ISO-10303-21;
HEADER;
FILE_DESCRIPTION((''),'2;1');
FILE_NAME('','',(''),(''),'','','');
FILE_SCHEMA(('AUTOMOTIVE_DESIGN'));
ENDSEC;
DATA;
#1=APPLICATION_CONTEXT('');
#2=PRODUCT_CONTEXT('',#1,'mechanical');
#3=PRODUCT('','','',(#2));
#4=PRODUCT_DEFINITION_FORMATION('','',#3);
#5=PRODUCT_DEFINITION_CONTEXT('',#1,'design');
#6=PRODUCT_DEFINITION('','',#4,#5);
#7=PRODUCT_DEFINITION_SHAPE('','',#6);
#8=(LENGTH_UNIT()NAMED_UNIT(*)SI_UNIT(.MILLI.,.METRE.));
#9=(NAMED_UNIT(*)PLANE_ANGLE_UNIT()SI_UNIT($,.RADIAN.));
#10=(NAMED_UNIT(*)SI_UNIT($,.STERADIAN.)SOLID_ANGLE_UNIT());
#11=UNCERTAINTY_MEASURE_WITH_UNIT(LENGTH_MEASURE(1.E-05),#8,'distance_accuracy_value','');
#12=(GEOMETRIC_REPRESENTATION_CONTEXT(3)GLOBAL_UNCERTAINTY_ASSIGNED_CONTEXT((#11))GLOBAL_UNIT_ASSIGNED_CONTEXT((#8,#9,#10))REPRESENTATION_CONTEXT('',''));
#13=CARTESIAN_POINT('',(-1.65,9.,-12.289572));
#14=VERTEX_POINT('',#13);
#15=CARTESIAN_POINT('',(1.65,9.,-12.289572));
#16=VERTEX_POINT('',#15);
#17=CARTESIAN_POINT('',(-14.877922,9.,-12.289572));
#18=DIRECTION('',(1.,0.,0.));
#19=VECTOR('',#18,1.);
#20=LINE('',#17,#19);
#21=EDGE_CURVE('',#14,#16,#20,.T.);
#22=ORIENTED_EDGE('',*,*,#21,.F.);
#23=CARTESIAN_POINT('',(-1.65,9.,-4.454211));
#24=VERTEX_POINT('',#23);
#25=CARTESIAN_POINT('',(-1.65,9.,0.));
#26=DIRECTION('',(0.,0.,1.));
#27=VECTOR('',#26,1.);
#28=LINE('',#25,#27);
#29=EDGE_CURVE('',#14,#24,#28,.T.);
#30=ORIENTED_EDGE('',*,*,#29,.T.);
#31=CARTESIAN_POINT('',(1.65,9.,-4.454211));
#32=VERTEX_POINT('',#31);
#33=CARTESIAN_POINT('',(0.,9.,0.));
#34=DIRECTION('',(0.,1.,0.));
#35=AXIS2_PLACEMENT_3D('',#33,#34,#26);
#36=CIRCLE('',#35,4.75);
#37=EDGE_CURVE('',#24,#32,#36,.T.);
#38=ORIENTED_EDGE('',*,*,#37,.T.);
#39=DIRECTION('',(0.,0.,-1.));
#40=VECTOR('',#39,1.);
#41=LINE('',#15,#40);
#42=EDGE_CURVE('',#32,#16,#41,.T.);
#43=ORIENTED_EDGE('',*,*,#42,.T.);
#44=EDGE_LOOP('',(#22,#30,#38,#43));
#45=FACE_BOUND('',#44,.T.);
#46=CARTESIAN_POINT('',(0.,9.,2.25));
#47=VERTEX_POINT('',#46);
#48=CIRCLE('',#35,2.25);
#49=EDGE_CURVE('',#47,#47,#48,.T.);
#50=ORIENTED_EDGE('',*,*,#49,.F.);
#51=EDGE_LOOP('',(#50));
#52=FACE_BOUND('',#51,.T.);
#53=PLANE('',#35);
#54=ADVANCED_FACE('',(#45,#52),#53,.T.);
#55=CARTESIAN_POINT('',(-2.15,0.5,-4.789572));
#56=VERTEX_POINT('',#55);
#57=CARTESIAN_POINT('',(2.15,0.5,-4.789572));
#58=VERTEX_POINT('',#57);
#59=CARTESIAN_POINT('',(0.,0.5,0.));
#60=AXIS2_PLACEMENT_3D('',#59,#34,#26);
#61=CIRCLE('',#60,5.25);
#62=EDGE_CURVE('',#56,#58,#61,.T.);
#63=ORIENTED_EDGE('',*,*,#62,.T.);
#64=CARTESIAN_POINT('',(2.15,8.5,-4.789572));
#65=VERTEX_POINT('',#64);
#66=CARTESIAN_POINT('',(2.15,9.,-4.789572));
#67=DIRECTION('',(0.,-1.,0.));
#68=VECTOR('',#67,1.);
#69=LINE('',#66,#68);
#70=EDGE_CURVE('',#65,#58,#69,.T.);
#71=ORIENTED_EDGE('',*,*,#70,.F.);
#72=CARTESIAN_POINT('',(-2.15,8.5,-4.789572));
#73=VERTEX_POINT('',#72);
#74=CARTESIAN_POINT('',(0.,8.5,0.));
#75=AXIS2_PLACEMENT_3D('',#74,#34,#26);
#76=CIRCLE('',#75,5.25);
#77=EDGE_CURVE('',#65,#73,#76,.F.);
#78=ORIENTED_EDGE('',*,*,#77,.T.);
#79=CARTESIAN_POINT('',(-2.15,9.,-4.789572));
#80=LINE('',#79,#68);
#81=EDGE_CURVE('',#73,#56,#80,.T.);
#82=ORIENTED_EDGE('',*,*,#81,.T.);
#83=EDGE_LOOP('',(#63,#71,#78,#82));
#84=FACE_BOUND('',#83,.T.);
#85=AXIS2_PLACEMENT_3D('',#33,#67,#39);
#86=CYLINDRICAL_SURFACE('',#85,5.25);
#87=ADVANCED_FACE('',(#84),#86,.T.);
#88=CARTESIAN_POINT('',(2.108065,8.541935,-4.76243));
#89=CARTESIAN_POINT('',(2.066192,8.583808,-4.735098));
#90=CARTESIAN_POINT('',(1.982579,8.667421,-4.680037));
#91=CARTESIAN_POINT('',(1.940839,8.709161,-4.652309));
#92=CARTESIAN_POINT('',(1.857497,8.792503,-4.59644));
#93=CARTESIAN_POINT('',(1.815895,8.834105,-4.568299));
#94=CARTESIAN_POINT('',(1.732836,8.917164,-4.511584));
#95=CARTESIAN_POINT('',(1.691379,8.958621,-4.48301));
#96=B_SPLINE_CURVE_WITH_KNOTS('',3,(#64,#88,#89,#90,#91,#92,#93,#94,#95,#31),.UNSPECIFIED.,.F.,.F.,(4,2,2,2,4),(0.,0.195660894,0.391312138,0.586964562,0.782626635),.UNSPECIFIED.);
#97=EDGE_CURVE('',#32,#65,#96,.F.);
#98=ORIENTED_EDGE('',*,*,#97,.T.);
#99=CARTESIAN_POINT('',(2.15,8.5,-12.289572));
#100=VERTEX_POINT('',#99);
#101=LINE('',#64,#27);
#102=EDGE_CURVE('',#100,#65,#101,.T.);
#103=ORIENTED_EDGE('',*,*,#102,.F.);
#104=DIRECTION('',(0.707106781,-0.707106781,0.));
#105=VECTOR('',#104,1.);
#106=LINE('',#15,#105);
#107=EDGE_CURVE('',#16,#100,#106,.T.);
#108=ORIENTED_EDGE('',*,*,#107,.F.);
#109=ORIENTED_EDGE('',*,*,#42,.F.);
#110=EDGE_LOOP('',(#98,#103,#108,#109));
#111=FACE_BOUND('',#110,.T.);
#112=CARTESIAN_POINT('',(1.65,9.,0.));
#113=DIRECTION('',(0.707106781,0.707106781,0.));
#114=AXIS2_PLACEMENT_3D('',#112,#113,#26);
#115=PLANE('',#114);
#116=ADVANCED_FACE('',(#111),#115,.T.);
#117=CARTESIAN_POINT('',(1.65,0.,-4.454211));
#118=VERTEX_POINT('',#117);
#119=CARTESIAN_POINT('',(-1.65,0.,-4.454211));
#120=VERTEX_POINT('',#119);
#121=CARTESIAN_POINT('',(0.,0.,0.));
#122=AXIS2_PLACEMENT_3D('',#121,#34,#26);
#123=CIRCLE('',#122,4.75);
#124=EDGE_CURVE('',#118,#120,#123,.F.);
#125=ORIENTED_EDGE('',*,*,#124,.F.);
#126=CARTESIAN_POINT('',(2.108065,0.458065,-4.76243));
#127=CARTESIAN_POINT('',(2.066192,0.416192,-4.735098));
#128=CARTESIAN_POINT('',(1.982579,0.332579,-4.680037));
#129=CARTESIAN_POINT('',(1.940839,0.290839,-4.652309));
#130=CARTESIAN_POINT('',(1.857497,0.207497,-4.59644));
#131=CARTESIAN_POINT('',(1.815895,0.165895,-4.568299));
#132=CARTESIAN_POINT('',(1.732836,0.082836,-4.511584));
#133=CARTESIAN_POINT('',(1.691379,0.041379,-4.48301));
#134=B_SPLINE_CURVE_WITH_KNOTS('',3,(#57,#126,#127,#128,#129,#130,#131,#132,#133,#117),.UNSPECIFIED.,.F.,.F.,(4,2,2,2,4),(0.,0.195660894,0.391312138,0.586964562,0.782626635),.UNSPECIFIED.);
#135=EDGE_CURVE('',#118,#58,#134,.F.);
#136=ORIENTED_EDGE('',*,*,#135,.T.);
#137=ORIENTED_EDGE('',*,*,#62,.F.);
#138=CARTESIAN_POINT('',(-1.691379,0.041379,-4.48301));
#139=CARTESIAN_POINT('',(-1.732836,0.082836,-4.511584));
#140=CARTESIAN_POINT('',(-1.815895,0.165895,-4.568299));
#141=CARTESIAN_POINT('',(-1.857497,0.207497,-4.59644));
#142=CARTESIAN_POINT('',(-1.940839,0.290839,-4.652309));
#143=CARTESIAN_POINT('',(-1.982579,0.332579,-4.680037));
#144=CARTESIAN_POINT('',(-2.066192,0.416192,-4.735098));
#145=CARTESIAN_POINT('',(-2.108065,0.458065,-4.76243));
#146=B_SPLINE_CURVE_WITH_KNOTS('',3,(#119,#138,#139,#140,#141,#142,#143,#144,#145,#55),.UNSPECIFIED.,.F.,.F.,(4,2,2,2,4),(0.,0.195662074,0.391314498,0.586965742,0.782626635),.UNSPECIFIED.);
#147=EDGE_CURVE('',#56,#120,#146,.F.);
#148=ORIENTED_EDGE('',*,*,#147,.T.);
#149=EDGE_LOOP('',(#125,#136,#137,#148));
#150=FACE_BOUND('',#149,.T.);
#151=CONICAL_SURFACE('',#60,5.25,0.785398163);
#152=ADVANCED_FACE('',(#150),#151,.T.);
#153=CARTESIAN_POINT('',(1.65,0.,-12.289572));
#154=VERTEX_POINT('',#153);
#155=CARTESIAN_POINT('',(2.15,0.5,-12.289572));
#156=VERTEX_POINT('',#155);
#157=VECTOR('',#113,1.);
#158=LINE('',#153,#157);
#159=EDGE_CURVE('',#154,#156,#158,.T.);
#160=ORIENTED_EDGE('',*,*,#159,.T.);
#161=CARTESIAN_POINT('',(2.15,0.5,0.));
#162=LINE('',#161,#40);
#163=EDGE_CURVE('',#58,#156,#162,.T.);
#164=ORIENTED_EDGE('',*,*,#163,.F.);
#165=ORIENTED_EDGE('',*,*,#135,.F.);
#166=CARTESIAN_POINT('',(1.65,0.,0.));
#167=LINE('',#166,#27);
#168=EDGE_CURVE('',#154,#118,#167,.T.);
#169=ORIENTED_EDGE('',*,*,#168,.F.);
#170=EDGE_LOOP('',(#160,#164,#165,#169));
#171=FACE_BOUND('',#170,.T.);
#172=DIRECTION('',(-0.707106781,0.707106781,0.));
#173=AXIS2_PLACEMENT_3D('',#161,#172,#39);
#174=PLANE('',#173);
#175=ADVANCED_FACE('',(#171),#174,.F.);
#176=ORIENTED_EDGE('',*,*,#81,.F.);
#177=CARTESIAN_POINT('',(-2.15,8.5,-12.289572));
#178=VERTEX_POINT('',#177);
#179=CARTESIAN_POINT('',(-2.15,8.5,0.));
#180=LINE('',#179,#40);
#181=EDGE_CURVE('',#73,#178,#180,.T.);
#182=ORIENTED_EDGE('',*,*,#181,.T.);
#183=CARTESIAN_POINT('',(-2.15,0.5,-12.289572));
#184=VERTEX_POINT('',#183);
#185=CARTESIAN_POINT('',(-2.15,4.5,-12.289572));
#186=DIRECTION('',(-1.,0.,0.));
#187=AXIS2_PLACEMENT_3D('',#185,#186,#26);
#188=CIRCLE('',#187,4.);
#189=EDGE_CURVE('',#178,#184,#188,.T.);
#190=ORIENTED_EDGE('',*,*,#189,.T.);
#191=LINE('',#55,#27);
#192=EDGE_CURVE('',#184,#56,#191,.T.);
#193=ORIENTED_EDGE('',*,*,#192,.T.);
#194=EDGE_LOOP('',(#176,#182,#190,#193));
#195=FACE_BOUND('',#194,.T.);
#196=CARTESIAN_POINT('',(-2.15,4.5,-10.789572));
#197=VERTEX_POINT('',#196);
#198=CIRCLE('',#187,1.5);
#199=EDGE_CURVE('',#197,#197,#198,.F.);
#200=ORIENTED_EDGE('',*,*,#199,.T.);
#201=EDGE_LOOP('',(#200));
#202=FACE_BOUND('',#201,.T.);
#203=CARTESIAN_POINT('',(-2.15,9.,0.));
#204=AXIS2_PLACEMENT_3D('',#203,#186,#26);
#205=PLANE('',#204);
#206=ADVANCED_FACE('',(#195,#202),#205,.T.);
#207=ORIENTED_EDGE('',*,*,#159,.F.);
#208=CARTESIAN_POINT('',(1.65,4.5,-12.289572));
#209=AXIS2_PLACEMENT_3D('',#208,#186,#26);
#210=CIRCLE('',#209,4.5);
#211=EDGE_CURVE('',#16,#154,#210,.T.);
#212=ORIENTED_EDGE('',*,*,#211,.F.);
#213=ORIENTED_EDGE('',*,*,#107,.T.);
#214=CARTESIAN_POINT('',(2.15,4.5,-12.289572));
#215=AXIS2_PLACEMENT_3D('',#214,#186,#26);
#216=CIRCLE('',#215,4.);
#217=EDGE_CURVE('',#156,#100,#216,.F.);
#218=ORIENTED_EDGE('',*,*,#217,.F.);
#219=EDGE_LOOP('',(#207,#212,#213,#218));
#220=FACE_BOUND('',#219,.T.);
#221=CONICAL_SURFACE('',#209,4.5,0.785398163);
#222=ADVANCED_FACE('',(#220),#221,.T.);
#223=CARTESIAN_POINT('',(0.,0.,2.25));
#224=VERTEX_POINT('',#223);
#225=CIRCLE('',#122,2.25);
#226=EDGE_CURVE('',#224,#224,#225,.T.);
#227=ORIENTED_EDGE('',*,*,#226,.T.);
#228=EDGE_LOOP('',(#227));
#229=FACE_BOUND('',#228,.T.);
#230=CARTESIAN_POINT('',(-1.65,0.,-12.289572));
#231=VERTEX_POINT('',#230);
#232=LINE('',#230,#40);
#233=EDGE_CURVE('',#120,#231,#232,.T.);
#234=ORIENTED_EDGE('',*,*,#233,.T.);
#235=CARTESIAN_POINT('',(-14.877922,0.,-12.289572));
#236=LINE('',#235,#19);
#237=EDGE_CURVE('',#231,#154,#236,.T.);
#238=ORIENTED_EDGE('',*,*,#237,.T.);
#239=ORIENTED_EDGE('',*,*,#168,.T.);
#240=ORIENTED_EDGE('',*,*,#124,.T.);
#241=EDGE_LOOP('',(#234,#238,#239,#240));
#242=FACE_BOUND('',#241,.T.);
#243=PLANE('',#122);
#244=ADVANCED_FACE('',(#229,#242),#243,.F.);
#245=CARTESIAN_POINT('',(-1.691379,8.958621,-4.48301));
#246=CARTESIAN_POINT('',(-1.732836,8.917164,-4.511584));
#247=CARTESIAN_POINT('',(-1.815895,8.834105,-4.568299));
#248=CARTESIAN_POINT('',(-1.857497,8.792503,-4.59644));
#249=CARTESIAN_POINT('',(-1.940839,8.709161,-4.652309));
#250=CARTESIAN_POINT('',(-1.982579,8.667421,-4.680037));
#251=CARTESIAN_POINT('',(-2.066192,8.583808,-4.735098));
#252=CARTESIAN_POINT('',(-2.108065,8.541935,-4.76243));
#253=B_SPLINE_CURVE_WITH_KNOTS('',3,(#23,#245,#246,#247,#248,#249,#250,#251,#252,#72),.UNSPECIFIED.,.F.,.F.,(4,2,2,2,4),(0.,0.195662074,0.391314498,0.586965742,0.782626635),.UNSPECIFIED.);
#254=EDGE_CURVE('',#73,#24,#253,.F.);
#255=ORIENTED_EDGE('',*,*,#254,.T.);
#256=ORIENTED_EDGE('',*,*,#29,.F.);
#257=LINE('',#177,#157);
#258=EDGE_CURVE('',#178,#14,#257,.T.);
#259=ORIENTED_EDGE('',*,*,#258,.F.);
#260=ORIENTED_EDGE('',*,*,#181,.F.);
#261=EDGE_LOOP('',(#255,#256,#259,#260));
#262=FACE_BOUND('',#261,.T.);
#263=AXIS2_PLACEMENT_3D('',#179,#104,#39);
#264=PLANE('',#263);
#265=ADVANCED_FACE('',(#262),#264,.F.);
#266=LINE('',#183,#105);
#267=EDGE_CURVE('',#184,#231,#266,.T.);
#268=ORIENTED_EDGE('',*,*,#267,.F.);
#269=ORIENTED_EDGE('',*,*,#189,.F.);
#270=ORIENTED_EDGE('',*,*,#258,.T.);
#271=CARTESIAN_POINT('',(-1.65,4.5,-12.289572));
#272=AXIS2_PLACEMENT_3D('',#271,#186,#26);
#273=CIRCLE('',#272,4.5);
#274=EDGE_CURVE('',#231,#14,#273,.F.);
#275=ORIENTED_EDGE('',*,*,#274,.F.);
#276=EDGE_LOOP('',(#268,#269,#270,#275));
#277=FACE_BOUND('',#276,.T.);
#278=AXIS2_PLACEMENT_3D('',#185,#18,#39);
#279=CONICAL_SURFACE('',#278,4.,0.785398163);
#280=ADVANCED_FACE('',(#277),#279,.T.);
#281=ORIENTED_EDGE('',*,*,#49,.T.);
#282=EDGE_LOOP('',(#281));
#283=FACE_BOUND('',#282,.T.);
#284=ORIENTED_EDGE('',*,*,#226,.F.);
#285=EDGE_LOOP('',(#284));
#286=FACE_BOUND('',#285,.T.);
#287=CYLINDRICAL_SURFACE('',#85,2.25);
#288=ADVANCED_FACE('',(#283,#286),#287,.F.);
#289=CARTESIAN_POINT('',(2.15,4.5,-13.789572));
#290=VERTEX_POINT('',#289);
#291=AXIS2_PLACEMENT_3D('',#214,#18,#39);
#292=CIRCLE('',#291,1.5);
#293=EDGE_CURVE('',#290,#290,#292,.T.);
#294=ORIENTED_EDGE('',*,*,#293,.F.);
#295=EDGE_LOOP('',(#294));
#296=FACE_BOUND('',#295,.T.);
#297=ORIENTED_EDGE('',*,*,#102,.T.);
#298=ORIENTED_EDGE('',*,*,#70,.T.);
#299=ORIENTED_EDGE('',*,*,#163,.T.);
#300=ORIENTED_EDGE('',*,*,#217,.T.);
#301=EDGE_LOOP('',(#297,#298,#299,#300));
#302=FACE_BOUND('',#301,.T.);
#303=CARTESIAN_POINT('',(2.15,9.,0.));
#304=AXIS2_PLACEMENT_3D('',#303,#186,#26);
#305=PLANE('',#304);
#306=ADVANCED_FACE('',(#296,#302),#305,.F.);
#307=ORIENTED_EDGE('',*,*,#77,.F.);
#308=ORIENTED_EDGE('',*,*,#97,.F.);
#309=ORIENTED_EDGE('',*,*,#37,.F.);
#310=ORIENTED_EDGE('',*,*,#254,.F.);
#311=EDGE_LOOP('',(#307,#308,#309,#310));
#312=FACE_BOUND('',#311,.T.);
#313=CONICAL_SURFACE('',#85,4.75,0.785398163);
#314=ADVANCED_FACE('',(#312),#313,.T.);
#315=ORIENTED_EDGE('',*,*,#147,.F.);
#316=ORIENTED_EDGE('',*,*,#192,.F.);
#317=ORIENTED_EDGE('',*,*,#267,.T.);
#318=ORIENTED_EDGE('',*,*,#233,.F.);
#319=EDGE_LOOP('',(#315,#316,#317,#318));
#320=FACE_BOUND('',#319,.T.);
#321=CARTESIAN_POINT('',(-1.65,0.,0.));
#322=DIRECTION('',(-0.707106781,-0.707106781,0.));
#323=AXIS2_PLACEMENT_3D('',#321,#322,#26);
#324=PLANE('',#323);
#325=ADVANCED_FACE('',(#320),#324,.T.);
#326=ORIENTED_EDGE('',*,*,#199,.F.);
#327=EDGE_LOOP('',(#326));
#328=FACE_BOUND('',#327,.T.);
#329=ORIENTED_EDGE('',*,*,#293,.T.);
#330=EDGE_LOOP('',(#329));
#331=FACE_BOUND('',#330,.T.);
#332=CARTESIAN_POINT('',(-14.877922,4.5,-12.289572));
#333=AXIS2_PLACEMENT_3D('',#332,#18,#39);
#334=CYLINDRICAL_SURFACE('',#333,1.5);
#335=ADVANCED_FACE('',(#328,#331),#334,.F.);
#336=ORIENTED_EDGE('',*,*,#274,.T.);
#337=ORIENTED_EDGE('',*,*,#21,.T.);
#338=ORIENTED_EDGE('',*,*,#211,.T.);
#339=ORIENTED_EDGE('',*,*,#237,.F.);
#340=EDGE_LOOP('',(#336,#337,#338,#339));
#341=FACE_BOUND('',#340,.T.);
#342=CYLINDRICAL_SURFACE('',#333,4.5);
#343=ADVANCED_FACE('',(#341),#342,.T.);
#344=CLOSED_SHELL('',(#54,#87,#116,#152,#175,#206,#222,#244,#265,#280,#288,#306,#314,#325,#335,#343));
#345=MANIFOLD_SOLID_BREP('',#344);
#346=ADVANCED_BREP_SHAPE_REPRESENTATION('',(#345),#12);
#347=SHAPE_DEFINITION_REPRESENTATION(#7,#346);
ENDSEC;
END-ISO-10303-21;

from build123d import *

# Parameters (mm, degrees)
SKETCH1_R           = 2.25
SKETCH1_W           = 4.3
SKETCH1_H           = 3
BOSS_EXTRUDE1_DEPTH = 9
SKETCH3_R           = 1.5
BOSS_EXTRUDE2_DEPTH = 4.3
CHAMFER1_SIZE       = 0.5


with BuildPart() as part:
    # Sketch1 → Boss-Extrude1 (new body)
    with BuildSketch(Plane(origin=(0, 0, 0), x_dir=(1, 0, 0), z_dir=(0, 1, 0))):
        with BuildLine():
            Line((-2.15, 4.789572006), (2.15, 4.789572006))
            ThreePointArc((2.15, 4.789572006), (0, -5.25), (-2.15, 4.789572006))
        make_face()
        Circle(SKETCH1_R, mode=Mode.SUBTRACT)
        with Locations((0, 6.289572006)):
            Rectangle(SKETCH1_W, SKETCH1_H)
    extrude(amount=BOSS_EXTRUDE1_DEPTH)

    # Sketch3 → Boss-Extrude2 (add)
    with BuildSketch(Plane(origin=(2.15, 0, 0), x_dir=(0, 0, -1), z_dir=(1, 0, 0))):
        with BuildLine():
            ThreePointArc((12.289572006, 9), (16.789572006, 4.5), (12.289572006, 0))
            Line((12.289572006, 0), (7.789572006, 0))
            Line((7.789572006, 0), (7.789572006, 9))
            Line((7.789572006, 9), (12.289572006, 9))
        make_face()
        with Locations((12.289572006, 4.5)):
            Circle(SKETCH3_R, mode=Mode.SUBTRACT)
    extrude(amount=-BOSS_EXTRUDE2_DEPTH)

    # Chamfer1
    chamfer1_edges = [part.edges().sort_by_distance(p)[0] for p in [
        (0, 9, 5.25),
        (2.15, 9, -8.539572006),
        (2.15, 4.5, -16.789572006),
        (-2.15, 4.5, -16.789572006),
        (-2.15, 9, -8.539572006),
        (-2.15, 0, -8.539572006),
        (2.15, 0, -8.539572006),
        (0, 0, 5.25),
    ]]
    chamfer(chamfer1_edges, length=CHAMFER1_SIZE)


solid = part.part
